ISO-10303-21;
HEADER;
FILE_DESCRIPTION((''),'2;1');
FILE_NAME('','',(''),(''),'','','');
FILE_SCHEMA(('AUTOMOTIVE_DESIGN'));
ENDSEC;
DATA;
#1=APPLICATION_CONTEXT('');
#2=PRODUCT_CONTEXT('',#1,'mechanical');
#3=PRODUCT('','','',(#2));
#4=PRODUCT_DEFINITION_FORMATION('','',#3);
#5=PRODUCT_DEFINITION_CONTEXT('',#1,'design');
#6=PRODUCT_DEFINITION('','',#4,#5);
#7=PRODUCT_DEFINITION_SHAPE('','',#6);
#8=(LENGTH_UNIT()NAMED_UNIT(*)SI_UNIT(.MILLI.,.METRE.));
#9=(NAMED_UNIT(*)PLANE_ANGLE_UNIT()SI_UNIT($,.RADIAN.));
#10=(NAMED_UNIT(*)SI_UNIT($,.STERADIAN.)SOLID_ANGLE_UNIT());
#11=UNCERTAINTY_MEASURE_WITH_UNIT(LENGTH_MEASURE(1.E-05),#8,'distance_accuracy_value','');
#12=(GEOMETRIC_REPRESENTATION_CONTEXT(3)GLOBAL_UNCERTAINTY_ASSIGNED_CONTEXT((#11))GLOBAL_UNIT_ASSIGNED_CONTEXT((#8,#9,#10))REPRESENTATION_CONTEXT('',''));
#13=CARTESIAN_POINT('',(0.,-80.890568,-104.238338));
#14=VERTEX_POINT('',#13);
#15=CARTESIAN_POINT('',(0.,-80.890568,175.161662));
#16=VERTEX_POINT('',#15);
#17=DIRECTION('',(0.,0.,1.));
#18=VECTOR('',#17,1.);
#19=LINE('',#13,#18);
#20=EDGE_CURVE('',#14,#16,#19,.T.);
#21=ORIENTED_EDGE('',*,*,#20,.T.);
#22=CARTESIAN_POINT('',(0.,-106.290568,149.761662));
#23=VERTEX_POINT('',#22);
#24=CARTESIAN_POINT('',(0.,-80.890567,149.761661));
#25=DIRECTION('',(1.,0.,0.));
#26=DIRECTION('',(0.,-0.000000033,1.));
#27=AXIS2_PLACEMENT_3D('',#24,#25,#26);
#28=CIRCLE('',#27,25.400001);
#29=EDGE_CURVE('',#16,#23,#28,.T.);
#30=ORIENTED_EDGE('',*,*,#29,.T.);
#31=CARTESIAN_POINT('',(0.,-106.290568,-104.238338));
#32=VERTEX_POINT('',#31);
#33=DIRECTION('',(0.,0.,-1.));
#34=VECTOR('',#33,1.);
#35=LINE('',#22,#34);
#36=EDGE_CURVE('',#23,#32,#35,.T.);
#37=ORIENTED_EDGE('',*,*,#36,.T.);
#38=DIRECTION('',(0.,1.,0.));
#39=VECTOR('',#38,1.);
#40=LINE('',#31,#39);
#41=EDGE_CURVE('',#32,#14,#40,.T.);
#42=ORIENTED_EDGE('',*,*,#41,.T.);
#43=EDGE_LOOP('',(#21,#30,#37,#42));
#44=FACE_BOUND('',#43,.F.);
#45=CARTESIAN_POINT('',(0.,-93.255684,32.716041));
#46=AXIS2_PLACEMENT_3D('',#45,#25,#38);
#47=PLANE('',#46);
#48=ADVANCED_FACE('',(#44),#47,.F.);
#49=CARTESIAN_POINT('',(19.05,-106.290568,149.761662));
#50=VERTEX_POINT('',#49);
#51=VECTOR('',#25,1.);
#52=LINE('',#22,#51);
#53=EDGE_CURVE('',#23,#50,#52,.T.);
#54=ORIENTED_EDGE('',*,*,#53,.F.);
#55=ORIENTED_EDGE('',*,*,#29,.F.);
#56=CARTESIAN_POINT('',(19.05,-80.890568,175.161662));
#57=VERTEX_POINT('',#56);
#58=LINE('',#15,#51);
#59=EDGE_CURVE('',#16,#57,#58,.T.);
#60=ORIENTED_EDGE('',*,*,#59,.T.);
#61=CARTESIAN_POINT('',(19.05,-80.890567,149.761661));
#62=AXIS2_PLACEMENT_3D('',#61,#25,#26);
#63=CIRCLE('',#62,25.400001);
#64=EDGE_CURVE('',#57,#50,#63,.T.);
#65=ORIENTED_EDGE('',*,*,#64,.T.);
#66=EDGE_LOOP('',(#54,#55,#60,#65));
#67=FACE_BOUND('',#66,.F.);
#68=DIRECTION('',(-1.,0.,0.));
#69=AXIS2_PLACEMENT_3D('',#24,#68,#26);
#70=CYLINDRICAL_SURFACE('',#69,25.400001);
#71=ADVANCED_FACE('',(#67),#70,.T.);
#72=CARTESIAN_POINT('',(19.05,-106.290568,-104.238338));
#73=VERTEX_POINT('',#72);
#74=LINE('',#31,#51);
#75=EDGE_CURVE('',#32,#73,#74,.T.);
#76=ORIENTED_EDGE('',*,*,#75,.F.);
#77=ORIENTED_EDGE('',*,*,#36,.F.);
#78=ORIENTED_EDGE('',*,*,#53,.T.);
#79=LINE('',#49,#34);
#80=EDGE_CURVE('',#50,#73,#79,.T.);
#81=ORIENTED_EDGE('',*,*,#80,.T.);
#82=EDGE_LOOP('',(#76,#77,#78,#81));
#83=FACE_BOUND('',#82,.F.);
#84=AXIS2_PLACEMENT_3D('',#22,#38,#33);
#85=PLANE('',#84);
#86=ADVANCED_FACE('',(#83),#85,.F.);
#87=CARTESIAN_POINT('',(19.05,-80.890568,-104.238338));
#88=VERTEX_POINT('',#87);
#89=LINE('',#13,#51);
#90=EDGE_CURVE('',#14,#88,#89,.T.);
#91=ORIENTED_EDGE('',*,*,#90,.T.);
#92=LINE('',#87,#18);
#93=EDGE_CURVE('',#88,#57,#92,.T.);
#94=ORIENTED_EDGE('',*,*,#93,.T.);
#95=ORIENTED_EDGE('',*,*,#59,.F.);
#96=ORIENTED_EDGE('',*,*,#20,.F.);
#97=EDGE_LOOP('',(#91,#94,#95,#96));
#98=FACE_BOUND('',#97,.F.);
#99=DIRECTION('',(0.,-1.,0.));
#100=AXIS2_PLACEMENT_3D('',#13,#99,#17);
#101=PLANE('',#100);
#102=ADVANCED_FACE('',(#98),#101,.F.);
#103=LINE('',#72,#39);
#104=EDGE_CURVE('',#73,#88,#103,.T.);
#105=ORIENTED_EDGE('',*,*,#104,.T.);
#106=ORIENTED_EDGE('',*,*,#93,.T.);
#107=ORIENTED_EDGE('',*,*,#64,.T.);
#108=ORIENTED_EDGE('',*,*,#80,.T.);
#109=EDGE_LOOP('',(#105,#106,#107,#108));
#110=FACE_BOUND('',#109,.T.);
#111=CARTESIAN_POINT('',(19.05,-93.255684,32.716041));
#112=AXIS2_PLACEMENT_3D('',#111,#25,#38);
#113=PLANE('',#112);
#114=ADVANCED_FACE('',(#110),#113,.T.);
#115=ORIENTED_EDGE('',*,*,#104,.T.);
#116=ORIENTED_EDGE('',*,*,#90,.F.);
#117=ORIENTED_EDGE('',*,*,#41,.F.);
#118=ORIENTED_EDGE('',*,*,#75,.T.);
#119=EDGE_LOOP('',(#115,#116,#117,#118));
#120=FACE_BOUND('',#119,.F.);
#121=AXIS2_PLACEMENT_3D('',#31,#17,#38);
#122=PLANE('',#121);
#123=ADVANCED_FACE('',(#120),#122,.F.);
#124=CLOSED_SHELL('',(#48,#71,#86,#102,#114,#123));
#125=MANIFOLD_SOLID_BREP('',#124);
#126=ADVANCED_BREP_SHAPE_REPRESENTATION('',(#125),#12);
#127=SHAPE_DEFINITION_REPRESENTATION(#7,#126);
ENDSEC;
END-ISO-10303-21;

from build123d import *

# Parameters (mm, degrees)
F1_DEPTH = 19.05


with BuildPart() as f1:
    # F0 (on Right) → F1 (new body)
    with BuildSketch(Plane.YZ):
        with BuildLine():
            Line((-106.290568, 137.061662), (-106.290568, -104.238338))
            Line((-106.290568, -104.238338), (-80.890568, -104.238338))
            Line((-80.890568, -104.238338), (-80.890568, 175.161662))
            ThreePointArc((-80.890568, 175.161662), (-98.85108, 167.722174), (-106.290568, 149.761662))
            Line((-106.290568, 149.761662), (-106.290568, 137.061662))
        make_face()
    extrude(amount=F1_DEPTH)


solid = f1.part
